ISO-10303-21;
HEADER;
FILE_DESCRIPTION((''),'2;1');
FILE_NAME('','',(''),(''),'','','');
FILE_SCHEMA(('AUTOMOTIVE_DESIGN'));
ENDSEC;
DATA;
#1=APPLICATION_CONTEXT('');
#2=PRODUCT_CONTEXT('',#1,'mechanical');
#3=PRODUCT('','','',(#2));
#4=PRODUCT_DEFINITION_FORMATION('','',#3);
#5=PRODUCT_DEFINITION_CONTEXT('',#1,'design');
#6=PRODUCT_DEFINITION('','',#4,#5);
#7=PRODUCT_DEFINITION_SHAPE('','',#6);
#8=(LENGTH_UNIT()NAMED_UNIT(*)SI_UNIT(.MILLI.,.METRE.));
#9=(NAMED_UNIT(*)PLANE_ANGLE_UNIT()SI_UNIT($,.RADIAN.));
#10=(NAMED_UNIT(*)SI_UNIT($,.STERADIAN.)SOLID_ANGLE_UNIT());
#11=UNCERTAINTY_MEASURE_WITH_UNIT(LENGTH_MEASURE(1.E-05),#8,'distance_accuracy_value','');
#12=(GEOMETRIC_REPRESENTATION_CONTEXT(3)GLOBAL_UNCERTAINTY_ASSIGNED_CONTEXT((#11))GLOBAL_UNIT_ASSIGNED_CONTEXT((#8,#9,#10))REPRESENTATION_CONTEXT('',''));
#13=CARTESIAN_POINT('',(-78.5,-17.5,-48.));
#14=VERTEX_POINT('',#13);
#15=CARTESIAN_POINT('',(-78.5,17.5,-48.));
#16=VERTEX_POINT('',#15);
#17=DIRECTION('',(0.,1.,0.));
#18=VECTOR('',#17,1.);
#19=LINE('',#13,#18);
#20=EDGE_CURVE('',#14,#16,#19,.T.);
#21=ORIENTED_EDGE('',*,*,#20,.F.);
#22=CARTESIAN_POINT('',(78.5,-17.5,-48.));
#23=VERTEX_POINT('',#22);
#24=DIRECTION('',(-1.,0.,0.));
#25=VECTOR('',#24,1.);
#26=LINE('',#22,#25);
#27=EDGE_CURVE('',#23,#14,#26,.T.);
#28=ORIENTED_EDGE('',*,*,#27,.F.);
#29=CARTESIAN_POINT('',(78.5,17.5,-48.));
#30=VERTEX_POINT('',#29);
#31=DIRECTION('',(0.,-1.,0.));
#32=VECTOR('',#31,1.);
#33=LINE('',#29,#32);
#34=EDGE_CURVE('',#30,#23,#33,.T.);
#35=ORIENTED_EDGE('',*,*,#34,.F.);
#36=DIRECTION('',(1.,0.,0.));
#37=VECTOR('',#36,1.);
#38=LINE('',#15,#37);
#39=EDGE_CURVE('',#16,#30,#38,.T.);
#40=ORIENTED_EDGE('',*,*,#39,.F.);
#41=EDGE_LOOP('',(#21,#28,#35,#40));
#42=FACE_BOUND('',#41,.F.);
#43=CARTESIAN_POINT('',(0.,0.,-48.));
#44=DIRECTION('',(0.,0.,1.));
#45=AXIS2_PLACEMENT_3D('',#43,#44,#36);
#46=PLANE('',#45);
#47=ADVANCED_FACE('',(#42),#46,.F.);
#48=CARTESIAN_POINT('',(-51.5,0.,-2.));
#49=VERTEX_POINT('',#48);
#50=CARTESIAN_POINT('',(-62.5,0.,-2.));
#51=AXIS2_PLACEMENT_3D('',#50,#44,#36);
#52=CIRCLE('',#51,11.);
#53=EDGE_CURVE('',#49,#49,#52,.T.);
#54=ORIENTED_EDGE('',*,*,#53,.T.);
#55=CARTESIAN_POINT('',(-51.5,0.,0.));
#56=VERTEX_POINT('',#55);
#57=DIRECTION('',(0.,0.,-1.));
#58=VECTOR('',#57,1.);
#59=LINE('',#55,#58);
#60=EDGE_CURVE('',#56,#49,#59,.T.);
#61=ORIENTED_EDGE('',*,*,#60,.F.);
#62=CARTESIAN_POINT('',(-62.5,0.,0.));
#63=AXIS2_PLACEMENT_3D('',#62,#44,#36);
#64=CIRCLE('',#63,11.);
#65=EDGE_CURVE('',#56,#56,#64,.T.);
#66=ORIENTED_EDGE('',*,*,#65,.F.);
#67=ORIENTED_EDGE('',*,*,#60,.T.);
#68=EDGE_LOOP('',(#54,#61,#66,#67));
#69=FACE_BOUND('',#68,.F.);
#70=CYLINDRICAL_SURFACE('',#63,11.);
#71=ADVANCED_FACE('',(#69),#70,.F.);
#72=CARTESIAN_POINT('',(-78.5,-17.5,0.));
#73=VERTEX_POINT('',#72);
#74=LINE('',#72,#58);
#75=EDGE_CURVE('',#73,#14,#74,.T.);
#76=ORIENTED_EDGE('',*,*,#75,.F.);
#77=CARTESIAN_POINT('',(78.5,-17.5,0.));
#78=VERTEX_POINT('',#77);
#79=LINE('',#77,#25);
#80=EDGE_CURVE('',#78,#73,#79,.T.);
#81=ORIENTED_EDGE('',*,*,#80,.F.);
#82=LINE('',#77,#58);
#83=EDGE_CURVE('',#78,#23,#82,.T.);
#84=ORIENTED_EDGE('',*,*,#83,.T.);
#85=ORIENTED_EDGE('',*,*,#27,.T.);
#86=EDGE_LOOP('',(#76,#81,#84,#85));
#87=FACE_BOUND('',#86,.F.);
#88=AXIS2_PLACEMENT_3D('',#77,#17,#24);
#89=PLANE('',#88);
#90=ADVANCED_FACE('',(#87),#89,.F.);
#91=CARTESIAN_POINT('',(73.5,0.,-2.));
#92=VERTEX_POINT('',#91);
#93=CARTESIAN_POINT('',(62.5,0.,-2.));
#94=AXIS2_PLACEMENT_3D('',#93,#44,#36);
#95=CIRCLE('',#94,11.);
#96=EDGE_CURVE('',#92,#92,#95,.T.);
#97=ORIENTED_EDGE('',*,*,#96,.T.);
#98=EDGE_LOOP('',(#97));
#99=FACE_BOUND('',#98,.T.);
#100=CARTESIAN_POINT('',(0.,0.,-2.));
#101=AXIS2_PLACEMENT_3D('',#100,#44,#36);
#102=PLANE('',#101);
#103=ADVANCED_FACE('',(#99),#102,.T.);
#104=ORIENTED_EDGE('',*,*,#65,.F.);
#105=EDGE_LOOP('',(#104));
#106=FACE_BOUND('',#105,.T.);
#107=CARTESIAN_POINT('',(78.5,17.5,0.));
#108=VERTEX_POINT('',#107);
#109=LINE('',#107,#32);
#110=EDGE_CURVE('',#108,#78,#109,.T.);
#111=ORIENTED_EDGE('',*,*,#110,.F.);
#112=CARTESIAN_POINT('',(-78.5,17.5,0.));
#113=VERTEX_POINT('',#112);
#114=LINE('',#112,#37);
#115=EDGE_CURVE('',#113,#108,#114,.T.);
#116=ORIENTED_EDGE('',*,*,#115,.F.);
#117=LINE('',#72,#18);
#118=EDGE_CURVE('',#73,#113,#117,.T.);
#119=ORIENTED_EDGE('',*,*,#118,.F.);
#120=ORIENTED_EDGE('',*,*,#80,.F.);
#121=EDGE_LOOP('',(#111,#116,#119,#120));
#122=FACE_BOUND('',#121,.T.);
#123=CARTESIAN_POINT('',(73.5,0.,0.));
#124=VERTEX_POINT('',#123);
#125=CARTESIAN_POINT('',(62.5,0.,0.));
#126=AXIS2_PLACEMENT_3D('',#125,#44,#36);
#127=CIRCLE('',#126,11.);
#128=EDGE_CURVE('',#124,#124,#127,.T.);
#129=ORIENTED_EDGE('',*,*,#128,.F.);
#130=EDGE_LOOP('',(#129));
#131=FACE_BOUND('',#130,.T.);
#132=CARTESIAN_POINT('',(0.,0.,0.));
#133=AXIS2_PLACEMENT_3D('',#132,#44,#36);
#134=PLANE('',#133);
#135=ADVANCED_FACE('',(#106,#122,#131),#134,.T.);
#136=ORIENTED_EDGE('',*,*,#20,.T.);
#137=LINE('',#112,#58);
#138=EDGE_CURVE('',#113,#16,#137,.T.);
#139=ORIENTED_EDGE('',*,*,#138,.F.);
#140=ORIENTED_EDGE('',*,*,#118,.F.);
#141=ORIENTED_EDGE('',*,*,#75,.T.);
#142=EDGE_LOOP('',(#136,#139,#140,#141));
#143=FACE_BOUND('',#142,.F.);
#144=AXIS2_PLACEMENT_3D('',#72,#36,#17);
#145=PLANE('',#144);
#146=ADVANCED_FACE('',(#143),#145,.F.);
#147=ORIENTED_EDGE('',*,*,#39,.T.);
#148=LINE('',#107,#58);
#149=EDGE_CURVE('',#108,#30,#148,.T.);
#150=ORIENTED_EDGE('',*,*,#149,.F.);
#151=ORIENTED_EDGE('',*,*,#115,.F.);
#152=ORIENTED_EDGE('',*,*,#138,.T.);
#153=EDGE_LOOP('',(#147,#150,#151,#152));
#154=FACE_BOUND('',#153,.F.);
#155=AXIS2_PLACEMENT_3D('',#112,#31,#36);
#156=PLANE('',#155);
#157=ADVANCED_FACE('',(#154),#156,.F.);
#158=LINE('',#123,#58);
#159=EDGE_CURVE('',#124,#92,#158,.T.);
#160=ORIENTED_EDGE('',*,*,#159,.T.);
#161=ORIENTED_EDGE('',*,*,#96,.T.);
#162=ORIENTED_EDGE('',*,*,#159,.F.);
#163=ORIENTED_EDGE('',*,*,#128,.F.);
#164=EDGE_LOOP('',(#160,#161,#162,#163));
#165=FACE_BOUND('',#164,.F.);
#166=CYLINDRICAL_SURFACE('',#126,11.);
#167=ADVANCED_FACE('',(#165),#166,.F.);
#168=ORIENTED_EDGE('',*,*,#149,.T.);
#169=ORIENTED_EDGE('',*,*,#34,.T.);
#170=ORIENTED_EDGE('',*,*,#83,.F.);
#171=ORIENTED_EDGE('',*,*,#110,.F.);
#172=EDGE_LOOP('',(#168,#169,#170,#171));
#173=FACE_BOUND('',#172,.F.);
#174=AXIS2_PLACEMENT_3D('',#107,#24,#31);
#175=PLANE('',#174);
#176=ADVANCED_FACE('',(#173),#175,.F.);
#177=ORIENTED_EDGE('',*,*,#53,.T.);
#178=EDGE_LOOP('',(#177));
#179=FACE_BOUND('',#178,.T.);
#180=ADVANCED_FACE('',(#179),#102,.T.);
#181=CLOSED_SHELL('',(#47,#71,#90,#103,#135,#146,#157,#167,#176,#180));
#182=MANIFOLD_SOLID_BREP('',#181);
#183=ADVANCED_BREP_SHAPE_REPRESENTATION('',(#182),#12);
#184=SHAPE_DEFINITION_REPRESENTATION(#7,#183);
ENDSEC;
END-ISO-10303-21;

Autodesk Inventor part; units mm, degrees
ref_plane "YZ Plane" through (0, 0, 0) normal (1, 0, 0) x (0, 1, 0)
ref_plane "XZ Plane" through (0, 0, 0) normal (0, 1, 0) x (-1, 0, 0)
ref_plane "XY Plane" through (0, 0, 0) normal (0, 0, 1) x (1, 0, 0)
sketch "Sketch1" plane through (0, 0, 0) normal (0, 0, 1) x (1, 0, 0)
  line L0 (-78.5, 17.5) -> (78.5, 17.5)
  line L1 (78.5, 17.5) -> (78.5, -17.5)
  line L2 (78.5, -17.5) -> (-78.5, -17.5)
  line L3 (-78.5, -17.5) -> (-78.5, 17.5)
  point P0 (0, 0)
  point P1 (0, 17.5)
  point P2 (78.5, 0)
  dimension "d0" = 157
  dimension "d1" = 35
extrude "Extrusion1" add sketch "Sketch1" against normal blind 48
sketch "Sketch2" plane through (0, 0, 0) normal (0, 0, 1) x (1, 0, 0)
  circle A0 centre (-62.5, 0) radius 11
  circle A1 centre (62.5, 0) radius 11
  line L0 (-78.5, -17.5) -> (-78.5, 17.5) projected
  point P0 (0, 0)
  dimension "d4" = 22
  dimension "d5" = 22
  dimension "d6" = 125
  dimension "d7" = 16
extrude "Extrusion2" cut sketch "Sketch2" against normal blind 2
equation "\"d5\" = d4"
properties part number "Camera" material "Brass, Soft Yellow"
